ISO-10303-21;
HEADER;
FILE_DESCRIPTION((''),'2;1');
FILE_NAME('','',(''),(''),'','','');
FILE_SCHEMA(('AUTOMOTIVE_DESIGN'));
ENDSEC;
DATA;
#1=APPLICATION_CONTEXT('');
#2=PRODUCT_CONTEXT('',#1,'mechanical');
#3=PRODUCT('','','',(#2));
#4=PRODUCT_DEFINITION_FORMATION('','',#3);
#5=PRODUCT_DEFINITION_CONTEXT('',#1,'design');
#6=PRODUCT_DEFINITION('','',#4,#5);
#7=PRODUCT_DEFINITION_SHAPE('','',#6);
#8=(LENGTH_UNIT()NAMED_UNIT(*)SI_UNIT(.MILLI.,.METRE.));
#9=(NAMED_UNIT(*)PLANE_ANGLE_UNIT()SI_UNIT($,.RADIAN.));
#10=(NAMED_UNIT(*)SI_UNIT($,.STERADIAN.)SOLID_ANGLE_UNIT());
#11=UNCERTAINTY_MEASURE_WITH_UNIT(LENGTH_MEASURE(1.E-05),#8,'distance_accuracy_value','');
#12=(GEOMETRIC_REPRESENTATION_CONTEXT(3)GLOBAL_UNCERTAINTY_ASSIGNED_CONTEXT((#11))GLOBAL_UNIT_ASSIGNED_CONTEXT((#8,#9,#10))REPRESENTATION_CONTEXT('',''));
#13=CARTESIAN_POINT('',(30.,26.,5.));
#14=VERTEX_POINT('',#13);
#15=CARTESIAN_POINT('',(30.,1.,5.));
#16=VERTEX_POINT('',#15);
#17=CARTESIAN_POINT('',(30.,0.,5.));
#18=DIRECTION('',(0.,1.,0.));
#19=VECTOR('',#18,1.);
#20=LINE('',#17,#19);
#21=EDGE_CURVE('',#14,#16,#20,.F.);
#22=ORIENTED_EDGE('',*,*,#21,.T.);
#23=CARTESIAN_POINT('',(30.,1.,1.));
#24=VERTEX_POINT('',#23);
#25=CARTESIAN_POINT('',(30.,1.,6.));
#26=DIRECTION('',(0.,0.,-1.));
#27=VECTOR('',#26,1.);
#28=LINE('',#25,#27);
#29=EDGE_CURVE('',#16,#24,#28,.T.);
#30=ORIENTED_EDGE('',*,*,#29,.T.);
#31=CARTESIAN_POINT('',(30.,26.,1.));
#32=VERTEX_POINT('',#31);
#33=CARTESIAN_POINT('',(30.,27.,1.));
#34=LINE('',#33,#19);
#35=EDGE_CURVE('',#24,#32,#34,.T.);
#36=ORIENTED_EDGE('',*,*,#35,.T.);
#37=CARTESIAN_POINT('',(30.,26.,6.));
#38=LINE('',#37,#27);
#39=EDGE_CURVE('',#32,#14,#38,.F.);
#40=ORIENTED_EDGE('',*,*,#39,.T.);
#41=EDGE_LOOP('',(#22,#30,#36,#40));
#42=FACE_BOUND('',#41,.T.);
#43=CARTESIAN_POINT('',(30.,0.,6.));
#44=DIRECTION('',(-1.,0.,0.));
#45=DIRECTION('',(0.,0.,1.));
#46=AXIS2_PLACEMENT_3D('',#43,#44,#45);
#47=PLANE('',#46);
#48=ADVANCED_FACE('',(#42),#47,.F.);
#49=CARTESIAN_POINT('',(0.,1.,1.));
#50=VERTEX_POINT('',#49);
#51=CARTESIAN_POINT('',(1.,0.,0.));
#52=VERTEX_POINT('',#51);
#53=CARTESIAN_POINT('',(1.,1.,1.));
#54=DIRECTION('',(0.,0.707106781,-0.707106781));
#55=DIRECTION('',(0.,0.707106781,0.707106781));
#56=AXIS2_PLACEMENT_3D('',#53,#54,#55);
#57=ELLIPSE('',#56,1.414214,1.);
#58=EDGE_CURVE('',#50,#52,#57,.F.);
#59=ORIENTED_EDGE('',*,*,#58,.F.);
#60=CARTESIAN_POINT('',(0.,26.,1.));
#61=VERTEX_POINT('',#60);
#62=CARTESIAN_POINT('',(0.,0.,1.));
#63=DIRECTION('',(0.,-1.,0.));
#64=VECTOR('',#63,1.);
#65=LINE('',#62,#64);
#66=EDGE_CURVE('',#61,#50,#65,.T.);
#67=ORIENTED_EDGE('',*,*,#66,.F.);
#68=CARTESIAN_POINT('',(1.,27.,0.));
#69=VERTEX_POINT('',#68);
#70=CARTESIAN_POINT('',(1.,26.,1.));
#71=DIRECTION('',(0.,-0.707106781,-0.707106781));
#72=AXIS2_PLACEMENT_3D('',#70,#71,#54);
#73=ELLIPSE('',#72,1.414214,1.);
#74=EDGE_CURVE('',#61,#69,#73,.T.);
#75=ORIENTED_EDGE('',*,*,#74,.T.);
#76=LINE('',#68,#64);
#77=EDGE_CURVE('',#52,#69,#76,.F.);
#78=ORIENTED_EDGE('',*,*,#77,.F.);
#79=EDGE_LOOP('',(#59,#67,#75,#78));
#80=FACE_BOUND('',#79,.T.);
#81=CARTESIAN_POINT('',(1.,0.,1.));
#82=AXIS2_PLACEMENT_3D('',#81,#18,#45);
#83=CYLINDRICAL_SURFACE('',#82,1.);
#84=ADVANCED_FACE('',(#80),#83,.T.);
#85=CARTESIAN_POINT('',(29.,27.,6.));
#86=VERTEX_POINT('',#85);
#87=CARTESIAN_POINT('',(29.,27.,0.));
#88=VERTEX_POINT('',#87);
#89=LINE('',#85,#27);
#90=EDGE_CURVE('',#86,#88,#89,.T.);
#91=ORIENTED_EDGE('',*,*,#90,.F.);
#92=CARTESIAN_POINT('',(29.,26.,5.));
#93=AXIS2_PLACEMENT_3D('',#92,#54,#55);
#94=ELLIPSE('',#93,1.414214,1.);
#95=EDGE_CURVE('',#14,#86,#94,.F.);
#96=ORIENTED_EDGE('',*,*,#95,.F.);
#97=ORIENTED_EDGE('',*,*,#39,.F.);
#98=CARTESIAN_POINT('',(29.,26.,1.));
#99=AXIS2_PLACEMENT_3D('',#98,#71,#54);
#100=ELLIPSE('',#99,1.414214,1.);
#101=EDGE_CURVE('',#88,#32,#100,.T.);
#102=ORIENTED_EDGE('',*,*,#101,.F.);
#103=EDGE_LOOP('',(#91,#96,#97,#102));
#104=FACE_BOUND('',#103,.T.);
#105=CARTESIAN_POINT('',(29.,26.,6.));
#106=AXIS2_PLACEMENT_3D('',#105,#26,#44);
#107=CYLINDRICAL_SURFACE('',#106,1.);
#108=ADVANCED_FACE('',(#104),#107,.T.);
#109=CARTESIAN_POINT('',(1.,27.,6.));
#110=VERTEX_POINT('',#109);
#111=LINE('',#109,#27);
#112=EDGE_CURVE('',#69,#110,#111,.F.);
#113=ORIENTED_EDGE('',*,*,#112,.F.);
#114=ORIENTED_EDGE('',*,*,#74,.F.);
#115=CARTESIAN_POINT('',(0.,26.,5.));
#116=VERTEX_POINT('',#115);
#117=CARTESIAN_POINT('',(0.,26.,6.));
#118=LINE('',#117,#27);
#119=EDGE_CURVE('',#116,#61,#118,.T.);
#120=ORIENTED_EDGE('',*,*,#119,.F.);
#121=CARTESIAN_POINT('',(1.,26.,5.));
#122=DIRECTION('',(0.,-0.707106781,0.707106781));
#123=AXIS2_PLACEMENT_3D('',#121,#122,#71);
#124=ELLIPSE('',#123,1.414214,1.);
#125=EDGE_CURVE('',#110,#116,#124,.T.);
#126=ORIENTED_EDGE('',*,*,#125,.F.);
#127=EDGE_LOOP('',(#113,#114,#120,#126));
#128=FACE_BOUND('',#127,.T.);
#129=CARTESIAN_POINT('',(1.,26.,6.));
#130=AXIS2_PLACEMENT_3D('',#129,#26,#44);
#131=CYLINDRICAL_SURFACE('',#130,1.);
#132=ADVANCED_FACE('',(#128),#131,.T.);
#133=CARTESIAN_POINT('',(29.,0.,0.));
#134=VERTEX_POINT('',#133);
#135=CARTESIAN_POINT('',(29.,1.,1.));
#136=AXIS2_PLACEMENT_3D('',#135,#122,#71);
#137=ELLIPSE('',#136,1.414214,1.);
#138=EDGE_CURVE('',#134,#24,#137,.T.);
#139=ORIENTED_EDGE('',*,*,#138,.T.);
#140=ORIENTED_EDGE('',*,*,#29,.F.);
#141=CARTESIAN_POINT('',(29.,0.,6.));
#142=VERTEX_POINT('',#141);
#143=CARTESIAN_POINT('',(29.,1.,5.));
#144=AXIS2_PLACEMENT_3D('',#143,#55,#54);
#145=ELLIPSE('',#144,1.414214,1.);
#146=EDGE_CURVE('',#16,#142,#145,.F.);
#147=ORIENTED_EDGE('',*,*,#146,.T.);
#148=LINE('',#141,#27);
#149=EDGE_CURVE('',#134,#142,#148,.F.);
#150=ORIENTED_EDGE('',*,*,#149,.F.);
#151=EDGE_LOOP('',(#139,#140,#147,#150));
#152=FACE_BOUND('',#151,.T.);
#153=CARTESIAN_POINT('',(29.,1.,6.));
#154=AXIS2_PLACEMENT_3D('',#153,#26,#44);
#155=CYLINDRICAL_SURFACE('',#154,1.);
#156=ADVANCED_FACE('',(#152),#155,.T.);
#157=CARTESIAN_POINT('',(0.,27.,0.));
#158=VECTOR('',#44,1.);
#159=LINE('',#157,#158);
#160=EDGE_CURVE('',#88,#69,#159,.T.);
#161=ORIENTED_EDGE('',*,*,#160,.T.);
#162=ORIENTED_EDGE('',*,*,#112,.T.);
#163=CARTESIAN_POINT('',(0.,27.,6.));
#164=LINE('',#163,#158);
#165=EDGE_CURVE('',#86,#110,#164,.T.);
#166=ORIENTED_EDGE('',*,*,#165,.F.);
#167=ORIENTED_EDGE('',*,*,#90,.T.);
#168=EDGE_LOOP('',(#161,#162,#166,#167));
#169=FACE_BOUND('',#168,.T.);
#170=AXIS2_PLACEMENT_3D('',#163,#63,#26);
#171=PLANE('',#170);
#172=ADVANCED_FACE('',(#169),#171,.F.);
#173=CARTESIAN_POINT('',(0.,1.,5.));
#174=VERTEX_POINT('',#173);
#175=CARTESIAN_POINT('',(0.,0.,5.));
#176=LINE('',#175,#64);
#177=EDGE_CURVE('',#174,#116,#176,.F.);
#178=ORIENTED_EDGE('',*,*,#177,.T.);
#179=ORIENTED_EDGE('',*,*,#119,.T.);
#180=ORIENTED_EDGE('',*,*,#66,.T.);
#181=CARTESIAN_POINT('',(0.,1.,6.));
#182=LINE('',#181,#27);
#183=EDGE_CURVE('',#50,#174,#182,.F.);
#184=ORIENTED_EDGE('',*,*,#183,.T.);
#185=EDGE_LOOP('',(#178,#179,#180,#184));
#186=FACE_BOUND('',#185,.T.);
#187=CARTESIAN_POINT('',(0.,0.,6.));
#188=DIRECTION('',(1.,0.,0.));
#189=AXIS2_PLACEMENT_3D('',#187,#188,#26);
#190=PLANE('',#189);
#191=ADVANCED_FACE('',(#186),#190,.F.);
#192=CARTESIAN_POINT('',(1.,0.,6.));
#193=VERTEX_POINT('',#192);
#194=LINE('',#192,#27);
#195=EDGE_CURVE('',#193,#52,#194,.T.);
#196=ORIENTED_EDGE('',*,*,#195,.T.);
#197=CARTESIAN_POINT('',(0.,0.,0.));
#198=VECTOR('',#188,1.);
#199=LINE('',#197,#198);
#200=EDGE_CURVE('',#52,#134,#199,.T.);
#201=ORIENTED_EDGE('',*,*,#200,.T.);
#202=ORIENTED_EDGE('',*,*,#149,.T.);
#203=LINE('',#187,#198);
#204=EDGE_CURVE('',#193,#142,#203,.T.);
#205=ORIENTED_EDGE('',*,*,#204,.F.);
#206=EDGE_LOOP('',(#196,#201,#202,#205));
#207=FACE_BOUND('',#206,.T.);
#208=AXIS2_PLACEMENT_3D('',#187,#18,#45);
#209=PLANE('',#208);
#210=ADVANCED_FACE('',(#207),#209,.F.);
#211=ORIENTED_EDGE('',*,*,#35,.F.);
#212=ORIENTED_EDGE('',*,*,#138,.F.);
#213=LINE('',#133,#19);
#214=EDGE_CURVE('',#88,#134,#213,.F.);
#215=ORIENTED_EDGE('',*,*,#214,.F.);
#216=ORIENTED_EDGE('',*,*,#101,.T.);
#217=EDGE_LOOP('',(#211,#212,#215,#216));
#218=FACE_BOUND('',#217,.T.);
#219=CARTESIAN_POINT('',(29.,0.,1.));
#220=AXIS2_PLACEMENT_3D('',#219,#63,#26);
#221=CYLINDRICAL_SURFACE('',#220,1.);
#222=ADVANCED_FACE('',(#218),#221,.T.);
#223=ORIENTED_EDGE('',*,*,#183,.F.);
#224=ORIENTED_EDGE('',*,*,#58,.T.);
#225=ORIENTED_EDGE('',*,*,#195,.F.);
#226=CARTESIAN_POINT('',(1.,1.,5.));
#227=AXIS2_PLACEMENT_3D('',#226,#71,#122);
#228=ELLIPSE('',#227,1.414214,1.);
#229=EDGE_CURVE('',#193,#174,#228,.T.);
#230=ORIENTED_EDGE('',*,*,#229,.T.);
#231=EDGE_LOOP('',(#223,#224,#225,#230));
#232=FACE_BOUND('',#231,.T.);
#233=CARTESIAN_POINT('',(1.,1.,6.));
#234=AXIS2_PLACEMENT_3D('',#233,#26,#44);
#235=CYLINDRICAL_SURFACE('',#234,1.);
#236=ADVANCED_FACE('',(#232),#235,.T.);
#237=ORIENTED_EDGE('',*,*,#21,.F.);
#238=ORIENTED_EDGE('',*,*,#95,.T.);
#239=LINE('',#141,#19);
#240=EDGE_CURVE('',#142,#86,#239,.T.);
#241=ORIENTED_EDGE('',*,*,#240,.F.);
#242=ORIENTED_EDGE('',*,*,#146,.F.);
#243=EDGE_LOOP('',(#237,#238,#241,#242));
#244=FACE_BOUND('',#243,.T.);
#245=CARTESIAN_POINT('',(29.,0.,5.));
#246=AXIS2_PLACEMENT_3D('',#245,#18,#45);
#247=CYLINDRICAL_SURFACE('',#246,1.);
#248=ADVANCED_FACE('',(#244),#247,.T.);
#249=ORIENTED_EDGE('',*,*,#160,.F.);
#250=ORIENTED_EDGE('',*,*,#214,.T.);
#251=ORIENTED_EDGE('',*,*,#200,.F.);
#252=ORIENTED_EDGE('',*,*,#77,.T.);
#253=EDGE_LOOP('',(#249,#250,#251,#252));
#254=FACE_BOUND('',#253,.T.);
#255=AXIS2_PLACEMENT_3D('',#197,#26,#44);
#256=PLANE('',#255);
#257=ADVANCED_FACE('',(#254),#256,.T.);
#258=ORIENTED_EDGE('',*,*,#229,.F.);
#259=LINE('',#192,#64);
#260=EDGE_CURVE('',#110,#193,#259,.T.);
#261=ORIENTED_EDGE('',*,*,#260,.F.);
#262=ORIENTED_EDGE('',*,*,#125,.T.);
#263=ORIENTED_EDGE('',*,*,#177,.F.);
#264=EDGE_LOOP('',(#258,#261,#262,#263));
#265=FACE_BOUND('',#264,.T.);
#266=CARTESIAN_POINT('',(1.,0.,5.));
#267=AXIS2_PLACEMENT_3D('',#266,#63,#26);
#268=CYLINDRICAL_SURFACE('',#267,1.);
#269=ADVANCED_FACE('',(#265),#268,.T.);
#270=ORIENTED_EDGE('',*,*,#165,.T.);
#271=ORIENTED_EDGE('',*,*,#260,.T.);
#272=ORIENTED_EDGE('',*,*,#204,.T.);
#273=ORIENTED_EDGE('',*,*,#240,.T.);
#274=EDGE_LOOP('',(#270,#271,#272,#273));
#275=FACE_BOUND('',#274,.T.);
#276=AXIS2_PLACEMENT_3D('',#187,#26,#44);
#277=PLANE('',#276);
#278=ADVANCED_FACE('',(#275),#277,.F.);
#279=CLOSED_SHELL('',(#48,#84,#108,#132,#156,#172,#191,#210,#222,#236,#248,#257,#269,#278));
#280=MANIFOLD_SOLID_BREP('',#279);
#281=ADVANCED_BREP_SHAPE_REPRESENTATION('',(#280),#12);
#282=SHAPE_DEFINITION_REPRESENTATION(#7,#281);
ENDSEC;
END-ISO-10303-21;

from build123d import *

# Parameters (mm, degrees)
ESQUISSE1_W        = 30
ESQUISSE1_H        = 27
BOSS_EXTRU_1_DEPTH = 6
CONG_1_R           = 1


with BuildPart() as part:
    # Esquisse1 → Boss.-Extru.1 (new body)
    with BuildSketch(Plane.XY):
        with Locations((15, 13.5)):
            Rectangle(ESQUISSE1_W, ESQUISSE1_H)
    extrude(amount=BOSS_EXTRU_1_DEPTH)

    # Congé1
    cong_1_edges = [part.edges().sort_by_distance(p)[0] for p in [
        (30, 13.5, 6),
        (0, 13.5, 6),
        (30, 13.5, 0),
        (0, 13.5, 0),
        (0, 27, 3),
        (30, 27, 3),
        (30, 0, 3),
        (0, 0, 3),
    ]]
    fillet(cong_1_edges, radius=CONG_1_R)


solid = part.part
